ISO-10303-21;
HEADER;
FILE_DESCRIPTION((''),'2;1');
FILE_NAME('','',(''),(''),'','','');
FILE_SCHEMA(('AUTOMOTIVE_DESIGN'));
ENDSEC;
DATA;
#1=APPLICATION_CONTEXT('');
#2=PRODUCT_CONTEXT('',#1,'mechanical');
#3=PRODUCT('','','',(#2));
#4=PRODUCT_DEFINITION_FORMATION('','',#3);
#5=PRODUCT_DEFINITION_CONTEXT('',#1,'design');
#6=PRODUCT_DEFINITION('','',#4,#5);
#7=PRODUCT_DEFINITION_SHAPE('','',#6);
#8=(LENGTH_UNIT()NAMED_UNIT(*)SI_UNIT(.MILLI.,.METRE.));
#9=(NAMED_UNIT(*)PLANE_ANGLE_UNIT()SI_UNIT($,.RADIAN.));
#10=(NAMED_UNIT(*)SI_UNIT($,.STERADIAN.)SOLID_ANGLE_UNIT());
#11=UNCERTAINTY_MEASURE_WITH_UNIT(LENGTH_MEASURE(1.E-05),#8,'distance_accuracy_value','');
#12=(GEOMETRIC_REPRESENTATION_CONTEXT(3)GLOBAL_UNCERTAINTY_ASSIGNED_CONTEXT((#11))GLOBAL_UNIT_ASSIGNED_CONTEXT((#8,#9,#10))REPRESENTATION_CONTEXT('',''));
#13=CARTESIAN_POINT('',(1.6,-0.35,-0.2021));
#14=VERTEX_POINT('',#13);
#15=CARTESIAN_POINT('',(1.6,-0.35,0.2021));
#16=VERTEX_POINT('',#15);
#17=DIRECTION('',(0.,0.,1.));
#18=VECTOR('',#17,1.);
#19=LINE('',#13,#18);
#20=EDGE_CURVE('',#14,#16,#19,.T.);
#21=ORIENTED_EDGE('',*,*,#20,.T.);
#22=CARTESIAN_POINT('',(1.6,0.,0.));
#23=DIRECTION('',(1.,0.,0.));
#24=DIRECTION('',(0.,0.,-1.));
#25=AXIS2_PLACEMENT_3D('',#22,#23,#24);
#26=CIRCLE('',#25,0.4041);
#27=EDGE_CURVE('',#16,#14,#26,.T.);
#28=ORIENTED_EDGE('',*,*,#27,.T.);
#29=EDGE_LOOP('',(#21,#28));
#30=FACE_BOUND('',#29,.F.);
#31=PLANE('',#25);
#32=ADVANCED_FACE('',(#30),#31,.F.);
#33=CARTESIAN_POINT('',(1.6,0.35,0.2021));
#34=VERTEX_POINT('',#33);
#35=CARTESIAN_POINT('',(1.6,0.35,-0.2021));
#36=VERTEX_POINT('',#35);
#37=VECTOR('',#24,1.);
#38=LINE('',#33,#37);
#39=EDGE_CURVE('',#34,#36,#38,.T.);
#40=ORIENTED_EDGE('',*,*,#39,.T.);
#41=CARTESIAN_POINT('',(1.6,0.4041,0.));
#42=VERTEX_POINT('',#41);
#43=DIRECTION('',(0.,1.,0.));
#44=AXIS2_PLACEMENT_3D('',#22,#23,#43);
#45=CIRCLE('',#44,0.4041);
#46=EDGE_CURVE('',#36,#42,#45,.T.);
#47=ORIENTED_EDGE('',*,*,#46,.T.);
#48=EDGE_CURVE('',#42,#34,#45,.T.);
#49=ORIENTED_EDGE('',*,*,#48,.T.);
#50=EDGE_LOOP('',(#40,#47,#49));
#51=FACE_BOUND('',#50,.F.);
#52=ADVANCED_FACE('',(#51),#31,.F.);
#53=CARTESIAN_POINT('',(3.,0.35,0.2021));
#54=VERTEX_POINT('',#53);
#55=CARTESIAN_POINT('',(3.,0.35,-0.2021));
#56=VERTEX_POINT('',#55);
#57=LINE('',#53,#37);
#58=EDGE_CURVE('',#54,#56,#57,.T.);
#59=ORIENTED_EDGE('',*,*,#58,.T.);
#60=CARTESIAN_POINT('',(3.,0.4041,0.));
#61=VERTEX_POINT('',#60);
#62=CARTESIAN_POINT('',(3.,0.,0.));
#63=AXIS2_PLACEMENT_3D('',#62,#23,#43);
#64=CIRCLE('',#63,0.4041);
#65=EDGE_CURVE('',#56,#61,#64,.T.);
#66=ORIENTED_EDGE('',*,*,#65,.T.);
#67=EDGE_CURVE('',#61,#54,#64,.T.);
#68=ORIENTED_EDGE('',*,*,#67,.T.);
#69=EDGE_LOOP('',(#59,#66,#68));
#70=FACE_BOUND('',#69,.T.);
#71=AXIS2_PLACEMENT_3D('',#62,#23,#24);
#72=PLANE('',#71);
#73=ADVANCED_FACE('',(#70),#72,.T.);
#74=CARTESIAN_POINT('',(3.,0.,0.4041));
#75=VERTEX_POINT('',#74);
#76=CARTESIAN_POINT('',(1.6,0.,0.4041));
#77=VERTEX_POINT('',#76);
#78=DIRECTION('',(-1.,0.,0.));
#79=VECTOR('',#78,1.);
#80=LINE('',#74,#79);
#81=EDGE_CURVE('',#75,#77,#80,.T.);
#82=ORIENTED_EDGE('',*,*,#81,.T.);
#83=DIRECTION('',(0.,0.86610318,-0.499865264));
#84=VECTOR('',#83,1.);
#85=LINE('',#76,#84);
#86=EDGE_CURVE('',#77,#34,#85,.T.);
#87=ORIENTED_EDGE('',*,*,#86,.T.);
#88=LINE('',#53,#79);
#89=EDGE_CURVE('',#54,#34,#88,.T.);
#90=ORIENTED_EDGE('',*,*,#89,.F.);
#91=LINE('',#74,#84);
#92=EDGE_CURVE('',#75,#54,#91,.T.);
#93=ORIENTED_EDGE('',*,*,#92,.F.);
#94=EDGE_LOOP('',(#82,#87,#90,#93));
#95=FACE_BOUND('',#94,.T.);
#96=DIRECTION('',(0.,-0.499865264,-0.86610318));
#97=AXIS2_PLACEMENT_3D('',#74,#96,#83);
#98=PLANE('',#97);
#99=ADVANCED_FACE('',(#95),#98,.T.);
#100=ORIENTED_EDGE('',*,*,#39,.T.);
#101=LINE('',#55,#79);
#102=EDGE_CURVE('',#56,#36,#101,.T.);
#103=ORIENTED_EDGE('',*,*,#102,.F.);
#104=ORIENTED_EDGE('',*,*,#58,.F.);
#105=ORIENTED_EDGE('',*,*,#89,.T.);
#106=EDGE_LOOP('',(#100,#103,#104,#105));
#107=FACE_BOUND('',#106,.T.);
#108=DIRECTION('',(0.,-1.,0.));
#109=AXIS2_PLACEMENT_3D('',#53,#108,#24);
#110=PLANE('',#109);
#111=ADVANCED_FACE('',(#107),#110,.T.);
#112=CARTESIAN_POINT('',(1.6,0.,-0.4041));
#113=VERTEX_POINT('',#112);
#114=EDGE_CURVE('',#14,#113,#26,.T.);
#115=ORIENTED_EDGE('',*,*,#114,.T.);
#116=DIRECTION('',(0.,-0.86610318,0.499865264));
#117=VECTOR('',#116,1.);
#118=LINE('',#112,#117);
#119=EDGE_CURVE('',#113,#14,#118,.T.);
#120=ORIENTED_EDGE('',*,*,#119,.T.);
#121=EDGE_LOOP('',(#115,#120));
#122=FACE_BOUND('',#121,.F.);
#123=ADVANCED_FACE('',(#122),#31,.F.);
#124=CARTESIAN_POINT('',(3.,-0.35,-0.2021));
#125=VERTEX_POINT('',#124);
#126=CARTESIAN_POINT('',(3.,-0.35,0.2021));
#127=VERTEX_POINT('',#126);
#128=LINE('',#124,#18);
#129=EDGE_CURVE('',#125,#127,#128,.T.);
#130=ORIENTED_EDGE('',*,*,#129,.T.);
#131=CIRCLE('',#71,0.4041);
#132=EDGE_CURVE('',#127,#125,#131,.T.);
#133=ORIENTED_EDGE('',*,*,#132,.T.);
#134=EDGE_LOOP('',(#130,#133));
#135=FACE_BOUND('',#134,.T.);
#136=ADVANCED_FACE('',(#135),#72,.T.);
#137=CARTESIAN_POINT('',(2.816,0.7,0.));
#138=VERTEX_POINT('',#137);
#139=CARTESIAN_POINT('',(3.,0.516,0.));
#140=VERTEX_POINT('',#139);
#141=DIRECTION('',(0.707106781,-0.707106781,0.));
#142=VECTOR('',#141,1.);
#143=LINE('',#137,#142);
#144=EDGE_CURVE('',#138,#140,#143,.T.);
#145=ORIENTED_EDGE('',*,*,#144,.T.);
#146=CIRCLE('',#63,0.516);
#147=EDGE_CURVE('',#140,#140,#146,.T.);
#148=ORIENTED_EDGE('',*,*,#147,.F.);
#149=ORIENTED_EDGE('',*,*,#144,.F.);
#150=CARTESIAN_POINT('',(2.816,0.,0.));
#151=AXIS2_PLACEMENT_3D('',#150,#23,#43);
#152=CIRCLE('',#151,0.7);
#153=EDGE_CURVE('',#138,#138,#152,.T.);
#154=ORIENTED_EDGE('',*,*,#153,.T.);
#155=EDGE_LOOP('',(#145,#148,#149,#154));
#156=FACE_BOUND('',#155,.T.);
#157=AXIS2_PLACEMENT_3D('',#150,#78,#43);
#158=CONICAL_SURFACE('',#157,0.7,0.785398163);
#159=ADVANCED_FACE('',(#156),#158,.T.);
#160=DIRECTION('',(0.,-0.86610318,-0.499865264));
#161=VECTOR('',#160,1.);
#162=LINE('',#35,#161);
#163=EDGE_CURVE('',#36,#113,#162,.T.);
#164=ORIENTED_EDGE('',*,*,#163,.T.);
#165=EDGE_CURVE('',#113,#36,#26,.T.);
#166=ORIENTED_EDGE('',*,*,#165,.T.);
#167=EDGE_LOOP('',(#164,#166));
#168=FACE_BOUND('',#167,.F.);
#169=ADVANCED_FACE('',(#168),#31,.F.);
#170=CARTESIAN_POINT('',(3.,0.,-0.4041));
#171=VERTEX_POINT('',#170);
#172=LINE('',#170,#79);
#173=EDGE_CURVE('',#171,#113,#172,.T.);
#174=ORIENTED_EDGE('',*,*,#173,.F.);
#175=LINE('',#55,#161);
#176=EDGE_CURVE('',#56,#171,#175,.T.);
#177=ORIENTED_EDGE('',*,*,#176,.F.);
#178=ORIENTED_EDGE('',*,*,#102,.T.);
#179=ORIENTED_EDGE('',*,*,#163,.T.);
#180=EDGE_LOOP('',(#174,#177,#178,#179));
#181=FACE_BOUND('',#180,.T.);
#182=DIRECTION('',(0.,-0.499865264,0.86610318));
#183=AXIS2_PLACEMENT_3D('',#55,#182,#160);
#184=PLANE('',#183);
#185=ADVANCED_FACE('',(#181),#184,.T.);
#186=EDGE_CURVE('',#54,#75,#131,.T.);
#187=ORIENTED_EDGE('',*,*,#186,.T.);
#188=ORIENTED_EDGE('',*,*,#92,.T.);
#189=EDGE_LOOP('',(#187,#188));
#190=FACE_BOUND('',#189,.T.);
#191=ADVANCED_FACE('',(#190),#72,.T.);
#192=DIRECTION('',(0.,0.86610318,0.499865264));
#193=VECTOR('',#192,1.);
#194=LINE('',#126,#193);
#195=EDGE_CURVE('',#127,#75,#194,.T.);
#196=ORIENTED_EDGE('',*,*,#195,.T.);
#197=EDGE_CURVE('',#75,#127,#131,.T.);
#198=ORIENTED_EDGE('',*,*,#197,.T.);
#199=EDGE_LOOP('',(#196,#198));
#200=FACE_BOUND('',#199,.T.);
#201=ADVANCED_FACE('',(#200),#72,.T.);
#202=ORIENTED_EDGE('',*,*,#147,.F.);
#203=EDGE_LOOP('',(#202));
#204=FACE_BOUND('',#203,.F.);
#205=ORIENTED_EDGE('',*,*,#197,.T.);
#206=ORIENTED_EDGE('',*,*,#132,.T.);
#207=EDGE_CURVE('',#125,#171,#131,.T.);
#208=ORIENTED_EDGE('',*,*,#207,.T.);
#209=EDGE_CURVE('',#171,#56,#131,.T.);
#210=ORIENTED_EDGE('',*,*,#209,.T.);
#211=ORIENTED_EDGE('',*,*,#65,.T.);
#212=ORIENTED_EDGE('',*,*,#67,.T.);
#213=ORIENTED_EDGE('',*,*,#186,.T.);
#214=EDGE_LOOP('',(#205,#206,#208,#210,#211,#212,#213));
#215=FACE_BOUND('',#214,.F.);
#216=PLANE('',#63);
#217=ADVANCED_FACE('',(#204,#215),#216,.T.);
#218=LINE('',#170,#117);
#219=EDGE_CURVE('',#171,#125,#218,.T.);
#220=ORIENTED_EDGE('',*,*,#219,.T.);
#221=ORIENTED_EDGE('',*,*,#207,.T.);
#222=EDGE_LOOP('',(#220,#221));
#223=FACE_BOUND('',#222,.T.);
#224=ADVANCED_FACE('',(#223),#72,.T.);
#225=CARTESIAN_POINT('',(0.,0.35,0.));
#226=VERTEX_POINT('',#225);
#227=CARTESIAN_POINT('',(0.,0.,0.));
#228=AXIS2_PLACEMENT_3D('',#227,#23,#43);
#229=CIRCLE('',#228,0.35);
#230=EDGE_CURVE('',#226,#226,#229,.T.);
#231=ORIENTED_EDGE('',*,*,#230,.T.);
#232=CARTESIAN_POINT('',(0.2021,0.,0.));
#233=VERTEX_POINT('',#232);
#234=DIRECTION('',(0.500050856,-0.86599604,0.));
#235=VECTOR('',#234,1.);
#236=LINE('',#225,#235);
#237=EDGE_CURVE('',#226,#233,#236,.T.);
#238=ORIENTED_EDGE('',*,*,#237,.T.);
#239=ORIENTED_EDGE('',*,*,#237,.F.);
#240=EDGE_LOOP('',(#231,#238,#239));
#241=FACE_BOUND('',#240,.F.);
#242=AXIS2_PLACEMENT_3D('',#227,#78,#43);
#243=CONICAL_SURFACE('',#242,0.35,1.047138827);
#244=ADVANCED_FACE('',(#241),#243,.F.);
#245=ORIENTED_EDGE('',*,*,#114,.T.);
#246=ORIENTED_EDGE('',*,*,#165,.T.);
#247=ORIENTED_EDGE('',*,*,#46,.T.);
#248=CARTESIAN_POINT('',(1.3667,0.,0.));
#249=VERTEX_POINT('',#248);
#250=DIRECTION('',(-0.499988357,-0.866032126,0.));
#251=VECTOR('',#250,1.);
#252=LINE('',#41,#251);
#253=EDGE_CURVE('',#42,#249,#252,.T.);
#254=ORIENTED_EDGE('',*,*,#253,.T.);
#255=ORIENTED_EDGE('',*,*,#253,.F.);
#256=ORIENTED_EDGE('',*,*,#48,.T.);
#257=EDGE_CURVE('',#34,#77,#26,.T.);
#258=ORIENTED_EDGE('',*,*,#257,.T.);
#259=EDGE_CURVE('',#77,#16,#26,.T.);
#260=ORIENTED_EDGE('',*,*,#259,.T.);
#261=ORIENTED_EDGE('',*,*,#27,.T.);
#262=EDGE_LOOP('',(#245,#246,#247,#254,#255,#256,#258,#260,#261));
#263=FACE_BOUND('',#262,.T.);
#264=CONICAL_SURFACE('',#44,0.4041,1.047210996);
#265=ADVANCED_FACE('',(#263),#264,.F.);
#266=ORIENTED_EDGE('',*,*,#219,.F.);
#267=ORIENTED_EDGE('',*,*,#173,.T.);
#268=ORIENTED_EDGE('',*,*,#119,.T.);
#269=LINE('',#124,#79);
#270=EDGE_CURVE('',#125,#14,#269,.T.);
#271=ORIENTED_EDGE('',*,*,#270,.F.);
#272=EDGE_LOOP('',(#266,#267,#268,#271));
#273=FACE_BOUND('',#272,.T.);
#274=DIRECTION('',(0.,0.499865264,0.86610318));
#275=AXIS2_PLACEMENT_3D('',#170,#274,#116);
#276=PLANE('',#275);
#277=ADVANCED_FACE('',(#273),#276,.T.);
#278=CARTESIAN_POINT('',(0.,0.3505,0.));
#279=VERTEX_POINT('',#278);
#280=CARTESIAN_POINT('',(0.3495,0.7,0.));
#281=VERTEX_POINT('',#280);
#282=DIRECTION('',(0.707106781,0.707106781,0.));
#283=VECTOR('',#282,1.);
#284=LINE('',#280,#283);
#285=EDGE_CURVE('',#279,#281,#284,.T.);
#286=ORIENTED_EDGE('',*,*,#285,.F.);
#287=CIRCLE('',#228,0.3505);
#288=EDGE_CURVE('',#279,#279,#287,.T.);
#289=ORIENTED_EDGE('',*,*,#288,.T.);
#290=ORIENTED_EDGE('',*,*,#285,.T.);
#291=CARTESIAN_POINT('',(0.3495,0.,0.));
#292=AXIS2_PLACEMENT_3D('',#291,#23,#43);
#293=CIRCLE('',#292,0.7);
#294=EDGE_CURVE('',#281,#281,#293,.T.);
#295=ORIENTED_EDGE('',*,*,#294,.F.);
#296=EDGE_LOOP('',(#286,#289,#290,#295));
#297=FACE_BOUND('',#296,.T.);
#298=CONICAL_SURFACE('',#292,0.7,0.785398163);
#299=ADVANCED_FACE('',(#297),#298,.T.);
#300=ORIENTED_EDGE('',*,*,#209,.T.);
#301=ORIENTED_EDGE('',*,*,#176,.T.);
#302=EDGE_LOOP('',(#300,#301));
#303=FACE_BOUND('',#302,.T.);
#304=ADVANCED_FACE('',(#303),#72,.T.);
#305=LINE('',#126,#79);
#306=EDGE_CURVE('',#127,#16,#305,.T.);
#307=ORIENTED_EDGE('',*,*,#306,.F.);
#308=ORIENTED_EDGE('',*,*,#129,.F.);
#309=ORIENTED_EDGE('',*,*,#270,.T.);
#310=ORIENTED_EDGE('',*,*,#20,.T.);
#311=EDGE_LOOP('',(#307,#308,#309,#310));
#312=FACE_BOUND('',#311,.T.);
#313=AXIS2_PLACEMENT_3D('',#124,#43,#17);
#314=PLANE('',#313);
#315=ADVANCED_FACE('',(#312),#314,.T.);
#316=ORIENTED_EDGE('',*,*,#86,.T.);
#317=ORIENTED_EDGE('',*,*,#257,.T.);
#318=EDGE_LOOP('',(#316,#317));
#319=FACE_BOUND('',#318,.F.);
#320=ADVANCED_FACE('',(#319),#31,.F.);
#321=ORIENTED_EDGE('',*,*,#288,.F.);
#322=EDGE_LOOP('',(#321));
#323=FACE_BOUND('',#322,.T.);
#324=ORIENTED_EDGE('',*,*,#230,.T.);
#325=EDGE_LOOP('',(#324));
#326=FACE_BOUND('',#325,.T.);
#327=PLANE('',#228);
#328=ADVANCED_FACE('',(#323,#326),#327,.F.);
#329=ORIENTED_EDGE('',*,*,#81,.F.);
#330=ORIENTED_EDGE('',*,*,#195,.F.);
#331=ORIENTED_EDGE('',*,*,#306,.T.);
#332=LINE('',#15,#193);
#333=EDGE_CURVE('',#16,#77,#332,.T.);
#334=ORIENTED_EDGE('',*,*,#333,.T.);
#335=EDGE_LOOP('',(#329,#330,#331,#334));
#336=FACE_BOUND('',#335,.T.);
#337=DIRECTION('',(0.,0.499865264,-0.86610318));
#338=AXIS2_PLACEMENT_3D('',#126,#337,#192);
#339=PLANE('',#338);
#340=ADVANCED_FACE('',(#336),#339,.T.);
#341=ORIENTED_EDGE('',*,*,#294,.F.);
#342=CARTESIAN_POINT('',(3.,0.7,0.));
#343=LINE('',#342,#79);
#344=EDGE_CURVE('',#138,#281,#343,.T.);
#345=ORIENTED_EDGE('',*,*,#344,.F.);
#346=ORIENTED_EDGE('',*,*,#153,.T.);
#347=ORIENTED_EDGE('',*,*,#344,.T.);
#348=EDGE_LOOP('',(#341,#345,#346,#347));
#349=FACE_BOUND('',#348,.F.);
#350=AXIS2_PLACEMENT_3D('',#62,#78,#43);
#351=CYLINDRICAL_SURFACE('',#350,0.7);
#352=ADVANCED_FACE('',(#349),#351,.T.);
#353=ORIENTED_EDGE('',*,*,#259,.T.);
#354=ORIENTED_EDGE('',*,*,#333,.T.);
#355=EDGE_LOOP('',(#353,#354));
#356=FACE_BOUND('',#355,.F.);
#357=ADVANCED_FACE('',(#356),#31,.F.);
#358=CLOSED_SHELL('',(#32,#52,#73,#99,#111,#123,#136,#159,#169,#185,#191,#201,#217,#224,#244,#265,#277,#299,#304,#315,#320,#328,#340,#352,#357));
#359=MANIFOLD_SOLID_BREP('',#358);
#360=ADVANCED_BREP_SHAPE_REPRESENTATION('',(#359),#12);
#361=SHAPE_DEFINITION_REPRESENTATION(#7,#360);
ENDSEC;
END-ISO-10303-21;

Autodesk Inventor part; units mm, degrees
ref_plane "YZ Plane" through (0, 0, 0) normal (1, 0, 0) x (0, 1, 0)
ref_plane "XZ Plane" through (0, 0, 0) normal (0, 1, 0) x (-1, 0, 0)
sketch "Sketch1" plane through (0, 0, 0) normal (0, 0, 1) x (1, 0, 0)
  line L0 (0.2021, 0) -> (1.3667, 0)
  line L1 (3, 0.4041) -> (3, 0.7)
  line L2 (3, 0.7) -> (0, 0.7)
  line L3 (3, 0.4041) -> (1.6, 0.4041)
  line L4 (1.6, 0.4041) -> (1.3667, 0)
  line L5 (0, 0.35) -> (0.2021, 0)
  line L6 (0, -0.14) -> (0, 0.84) projected
  line L7 (0, 0.35) -> (0, 0.7)
  point P0 (0, 0)
  dimension "d0" = 1.4
  dimension "d1" = 60
  dimension "d2" = 1.4
  dimension "d3" = 0.8083
  dimension "d4" = 3
  dimension "d5" = 60
  dimension "d7" = 0.7
revolve "Body" add sketch "Sketch1" angle 360 about axis through (0.2021, 0, 0) along (1, 0, 0)
sketch "Sketch2" plane through (3, 0, 0) normal (1, 0, 0) x (0, 0, -1)
  circle A0 centre (0, 0) radius 0.4041 projected
  circle A1 centre (0, 0) radius 0.7 projected
  line L0 (0.4041, 0) -> (0.2021, -0.35)
  line L1 (0.2021, -0.35) -> (-0.2021, -0.35)
  line L2 (-0.2021, -0.35) -> (-0.4041, 0)
  line L3 (-0.4041, 0) -> (-0.2021, 0.35)
  line L4 (-0.2021, 0.35) -> (0.2021, 0.35)
  line L5 (0.2021, 0.35) -> (0.4041, 0)
extrude "Slot" add sketch "Sketch2" against normal blind 1.4 contours L5 A0 | A0 L0 | L4 A0 | A0 L1 | L3 A0 | A0 L2
chamfer "Chamfer1" distance 0.35 angle 45 1 edges at (0, -0.7, 0) measured on face at (0, 0.5766, -0.0558)
thread "Thread" size "M1.4x0.3" class "6g" standard "ISO Metric profile" length 3
chamfer "Chamfer2" distance 0.184 angle 45 1 edges at (3, -0.7, 0) measured on face at (2.1165, 0.6909, -0.1123)
ref_plane "Work Plane1" through (1.5, 0, 0) normal (0, -0.5, -0.866) x (1, 0, 0)
equation "\"d0\" = INTI"
equation "\"d2\" = NND"
equation "\"d3\" = 1.1547 * SW"
equation "\"d4\" = NLG"
equation "\"d5\" = 0.5 * ANG"
equation "\"d7\" = SPD"
equation "\"d8\" = INTI"
equation "\"d10\" = -0.5 * SPD + 0.5 * NND"
equation "\"d11\" = FAWI"
equation "\"d33\" = -0.5 * SPD + 0.5 * NND"
equation "\"d14\" = NLG"
equation "\"d12\" = -0.5 * GD1 + 0.5 * NND"
equation "\"d13\" = FAWI"
equation "\"d34\" = -0.5 * GD1 + 0.5 * NND"
equation "\"NND\" = 1.4"
equation "\"NLG\" = 3"
equation "\"INTI\" = 1.4"
equation "\"FAWI\" = 45deg"
equation "\"SW\" = 0.7"
equation "\"GD1\" = THREADDIA - 1.2269 * PTC"
equation "\"ANG\" = 120deg"
equation "\"FAWI1\" = 45deg"
equation "\"SPD\" = 0.7"
equation "\"GUL\" = 0.61345 * PTC"
equation "\"TOA\" = 30deg"
equation "\"ZLG\" = 0.5"
equation "\"THREADDIA\" = 1.4"
equation "\"PTC\" = 0.3"
equation "\"GAL\" = 0.61345 * PTC"
equation "\"E0\" = 1.155 * SW"
properties part number "CNS 4480 - M1.4 x 3" material "Steel, Mild"
